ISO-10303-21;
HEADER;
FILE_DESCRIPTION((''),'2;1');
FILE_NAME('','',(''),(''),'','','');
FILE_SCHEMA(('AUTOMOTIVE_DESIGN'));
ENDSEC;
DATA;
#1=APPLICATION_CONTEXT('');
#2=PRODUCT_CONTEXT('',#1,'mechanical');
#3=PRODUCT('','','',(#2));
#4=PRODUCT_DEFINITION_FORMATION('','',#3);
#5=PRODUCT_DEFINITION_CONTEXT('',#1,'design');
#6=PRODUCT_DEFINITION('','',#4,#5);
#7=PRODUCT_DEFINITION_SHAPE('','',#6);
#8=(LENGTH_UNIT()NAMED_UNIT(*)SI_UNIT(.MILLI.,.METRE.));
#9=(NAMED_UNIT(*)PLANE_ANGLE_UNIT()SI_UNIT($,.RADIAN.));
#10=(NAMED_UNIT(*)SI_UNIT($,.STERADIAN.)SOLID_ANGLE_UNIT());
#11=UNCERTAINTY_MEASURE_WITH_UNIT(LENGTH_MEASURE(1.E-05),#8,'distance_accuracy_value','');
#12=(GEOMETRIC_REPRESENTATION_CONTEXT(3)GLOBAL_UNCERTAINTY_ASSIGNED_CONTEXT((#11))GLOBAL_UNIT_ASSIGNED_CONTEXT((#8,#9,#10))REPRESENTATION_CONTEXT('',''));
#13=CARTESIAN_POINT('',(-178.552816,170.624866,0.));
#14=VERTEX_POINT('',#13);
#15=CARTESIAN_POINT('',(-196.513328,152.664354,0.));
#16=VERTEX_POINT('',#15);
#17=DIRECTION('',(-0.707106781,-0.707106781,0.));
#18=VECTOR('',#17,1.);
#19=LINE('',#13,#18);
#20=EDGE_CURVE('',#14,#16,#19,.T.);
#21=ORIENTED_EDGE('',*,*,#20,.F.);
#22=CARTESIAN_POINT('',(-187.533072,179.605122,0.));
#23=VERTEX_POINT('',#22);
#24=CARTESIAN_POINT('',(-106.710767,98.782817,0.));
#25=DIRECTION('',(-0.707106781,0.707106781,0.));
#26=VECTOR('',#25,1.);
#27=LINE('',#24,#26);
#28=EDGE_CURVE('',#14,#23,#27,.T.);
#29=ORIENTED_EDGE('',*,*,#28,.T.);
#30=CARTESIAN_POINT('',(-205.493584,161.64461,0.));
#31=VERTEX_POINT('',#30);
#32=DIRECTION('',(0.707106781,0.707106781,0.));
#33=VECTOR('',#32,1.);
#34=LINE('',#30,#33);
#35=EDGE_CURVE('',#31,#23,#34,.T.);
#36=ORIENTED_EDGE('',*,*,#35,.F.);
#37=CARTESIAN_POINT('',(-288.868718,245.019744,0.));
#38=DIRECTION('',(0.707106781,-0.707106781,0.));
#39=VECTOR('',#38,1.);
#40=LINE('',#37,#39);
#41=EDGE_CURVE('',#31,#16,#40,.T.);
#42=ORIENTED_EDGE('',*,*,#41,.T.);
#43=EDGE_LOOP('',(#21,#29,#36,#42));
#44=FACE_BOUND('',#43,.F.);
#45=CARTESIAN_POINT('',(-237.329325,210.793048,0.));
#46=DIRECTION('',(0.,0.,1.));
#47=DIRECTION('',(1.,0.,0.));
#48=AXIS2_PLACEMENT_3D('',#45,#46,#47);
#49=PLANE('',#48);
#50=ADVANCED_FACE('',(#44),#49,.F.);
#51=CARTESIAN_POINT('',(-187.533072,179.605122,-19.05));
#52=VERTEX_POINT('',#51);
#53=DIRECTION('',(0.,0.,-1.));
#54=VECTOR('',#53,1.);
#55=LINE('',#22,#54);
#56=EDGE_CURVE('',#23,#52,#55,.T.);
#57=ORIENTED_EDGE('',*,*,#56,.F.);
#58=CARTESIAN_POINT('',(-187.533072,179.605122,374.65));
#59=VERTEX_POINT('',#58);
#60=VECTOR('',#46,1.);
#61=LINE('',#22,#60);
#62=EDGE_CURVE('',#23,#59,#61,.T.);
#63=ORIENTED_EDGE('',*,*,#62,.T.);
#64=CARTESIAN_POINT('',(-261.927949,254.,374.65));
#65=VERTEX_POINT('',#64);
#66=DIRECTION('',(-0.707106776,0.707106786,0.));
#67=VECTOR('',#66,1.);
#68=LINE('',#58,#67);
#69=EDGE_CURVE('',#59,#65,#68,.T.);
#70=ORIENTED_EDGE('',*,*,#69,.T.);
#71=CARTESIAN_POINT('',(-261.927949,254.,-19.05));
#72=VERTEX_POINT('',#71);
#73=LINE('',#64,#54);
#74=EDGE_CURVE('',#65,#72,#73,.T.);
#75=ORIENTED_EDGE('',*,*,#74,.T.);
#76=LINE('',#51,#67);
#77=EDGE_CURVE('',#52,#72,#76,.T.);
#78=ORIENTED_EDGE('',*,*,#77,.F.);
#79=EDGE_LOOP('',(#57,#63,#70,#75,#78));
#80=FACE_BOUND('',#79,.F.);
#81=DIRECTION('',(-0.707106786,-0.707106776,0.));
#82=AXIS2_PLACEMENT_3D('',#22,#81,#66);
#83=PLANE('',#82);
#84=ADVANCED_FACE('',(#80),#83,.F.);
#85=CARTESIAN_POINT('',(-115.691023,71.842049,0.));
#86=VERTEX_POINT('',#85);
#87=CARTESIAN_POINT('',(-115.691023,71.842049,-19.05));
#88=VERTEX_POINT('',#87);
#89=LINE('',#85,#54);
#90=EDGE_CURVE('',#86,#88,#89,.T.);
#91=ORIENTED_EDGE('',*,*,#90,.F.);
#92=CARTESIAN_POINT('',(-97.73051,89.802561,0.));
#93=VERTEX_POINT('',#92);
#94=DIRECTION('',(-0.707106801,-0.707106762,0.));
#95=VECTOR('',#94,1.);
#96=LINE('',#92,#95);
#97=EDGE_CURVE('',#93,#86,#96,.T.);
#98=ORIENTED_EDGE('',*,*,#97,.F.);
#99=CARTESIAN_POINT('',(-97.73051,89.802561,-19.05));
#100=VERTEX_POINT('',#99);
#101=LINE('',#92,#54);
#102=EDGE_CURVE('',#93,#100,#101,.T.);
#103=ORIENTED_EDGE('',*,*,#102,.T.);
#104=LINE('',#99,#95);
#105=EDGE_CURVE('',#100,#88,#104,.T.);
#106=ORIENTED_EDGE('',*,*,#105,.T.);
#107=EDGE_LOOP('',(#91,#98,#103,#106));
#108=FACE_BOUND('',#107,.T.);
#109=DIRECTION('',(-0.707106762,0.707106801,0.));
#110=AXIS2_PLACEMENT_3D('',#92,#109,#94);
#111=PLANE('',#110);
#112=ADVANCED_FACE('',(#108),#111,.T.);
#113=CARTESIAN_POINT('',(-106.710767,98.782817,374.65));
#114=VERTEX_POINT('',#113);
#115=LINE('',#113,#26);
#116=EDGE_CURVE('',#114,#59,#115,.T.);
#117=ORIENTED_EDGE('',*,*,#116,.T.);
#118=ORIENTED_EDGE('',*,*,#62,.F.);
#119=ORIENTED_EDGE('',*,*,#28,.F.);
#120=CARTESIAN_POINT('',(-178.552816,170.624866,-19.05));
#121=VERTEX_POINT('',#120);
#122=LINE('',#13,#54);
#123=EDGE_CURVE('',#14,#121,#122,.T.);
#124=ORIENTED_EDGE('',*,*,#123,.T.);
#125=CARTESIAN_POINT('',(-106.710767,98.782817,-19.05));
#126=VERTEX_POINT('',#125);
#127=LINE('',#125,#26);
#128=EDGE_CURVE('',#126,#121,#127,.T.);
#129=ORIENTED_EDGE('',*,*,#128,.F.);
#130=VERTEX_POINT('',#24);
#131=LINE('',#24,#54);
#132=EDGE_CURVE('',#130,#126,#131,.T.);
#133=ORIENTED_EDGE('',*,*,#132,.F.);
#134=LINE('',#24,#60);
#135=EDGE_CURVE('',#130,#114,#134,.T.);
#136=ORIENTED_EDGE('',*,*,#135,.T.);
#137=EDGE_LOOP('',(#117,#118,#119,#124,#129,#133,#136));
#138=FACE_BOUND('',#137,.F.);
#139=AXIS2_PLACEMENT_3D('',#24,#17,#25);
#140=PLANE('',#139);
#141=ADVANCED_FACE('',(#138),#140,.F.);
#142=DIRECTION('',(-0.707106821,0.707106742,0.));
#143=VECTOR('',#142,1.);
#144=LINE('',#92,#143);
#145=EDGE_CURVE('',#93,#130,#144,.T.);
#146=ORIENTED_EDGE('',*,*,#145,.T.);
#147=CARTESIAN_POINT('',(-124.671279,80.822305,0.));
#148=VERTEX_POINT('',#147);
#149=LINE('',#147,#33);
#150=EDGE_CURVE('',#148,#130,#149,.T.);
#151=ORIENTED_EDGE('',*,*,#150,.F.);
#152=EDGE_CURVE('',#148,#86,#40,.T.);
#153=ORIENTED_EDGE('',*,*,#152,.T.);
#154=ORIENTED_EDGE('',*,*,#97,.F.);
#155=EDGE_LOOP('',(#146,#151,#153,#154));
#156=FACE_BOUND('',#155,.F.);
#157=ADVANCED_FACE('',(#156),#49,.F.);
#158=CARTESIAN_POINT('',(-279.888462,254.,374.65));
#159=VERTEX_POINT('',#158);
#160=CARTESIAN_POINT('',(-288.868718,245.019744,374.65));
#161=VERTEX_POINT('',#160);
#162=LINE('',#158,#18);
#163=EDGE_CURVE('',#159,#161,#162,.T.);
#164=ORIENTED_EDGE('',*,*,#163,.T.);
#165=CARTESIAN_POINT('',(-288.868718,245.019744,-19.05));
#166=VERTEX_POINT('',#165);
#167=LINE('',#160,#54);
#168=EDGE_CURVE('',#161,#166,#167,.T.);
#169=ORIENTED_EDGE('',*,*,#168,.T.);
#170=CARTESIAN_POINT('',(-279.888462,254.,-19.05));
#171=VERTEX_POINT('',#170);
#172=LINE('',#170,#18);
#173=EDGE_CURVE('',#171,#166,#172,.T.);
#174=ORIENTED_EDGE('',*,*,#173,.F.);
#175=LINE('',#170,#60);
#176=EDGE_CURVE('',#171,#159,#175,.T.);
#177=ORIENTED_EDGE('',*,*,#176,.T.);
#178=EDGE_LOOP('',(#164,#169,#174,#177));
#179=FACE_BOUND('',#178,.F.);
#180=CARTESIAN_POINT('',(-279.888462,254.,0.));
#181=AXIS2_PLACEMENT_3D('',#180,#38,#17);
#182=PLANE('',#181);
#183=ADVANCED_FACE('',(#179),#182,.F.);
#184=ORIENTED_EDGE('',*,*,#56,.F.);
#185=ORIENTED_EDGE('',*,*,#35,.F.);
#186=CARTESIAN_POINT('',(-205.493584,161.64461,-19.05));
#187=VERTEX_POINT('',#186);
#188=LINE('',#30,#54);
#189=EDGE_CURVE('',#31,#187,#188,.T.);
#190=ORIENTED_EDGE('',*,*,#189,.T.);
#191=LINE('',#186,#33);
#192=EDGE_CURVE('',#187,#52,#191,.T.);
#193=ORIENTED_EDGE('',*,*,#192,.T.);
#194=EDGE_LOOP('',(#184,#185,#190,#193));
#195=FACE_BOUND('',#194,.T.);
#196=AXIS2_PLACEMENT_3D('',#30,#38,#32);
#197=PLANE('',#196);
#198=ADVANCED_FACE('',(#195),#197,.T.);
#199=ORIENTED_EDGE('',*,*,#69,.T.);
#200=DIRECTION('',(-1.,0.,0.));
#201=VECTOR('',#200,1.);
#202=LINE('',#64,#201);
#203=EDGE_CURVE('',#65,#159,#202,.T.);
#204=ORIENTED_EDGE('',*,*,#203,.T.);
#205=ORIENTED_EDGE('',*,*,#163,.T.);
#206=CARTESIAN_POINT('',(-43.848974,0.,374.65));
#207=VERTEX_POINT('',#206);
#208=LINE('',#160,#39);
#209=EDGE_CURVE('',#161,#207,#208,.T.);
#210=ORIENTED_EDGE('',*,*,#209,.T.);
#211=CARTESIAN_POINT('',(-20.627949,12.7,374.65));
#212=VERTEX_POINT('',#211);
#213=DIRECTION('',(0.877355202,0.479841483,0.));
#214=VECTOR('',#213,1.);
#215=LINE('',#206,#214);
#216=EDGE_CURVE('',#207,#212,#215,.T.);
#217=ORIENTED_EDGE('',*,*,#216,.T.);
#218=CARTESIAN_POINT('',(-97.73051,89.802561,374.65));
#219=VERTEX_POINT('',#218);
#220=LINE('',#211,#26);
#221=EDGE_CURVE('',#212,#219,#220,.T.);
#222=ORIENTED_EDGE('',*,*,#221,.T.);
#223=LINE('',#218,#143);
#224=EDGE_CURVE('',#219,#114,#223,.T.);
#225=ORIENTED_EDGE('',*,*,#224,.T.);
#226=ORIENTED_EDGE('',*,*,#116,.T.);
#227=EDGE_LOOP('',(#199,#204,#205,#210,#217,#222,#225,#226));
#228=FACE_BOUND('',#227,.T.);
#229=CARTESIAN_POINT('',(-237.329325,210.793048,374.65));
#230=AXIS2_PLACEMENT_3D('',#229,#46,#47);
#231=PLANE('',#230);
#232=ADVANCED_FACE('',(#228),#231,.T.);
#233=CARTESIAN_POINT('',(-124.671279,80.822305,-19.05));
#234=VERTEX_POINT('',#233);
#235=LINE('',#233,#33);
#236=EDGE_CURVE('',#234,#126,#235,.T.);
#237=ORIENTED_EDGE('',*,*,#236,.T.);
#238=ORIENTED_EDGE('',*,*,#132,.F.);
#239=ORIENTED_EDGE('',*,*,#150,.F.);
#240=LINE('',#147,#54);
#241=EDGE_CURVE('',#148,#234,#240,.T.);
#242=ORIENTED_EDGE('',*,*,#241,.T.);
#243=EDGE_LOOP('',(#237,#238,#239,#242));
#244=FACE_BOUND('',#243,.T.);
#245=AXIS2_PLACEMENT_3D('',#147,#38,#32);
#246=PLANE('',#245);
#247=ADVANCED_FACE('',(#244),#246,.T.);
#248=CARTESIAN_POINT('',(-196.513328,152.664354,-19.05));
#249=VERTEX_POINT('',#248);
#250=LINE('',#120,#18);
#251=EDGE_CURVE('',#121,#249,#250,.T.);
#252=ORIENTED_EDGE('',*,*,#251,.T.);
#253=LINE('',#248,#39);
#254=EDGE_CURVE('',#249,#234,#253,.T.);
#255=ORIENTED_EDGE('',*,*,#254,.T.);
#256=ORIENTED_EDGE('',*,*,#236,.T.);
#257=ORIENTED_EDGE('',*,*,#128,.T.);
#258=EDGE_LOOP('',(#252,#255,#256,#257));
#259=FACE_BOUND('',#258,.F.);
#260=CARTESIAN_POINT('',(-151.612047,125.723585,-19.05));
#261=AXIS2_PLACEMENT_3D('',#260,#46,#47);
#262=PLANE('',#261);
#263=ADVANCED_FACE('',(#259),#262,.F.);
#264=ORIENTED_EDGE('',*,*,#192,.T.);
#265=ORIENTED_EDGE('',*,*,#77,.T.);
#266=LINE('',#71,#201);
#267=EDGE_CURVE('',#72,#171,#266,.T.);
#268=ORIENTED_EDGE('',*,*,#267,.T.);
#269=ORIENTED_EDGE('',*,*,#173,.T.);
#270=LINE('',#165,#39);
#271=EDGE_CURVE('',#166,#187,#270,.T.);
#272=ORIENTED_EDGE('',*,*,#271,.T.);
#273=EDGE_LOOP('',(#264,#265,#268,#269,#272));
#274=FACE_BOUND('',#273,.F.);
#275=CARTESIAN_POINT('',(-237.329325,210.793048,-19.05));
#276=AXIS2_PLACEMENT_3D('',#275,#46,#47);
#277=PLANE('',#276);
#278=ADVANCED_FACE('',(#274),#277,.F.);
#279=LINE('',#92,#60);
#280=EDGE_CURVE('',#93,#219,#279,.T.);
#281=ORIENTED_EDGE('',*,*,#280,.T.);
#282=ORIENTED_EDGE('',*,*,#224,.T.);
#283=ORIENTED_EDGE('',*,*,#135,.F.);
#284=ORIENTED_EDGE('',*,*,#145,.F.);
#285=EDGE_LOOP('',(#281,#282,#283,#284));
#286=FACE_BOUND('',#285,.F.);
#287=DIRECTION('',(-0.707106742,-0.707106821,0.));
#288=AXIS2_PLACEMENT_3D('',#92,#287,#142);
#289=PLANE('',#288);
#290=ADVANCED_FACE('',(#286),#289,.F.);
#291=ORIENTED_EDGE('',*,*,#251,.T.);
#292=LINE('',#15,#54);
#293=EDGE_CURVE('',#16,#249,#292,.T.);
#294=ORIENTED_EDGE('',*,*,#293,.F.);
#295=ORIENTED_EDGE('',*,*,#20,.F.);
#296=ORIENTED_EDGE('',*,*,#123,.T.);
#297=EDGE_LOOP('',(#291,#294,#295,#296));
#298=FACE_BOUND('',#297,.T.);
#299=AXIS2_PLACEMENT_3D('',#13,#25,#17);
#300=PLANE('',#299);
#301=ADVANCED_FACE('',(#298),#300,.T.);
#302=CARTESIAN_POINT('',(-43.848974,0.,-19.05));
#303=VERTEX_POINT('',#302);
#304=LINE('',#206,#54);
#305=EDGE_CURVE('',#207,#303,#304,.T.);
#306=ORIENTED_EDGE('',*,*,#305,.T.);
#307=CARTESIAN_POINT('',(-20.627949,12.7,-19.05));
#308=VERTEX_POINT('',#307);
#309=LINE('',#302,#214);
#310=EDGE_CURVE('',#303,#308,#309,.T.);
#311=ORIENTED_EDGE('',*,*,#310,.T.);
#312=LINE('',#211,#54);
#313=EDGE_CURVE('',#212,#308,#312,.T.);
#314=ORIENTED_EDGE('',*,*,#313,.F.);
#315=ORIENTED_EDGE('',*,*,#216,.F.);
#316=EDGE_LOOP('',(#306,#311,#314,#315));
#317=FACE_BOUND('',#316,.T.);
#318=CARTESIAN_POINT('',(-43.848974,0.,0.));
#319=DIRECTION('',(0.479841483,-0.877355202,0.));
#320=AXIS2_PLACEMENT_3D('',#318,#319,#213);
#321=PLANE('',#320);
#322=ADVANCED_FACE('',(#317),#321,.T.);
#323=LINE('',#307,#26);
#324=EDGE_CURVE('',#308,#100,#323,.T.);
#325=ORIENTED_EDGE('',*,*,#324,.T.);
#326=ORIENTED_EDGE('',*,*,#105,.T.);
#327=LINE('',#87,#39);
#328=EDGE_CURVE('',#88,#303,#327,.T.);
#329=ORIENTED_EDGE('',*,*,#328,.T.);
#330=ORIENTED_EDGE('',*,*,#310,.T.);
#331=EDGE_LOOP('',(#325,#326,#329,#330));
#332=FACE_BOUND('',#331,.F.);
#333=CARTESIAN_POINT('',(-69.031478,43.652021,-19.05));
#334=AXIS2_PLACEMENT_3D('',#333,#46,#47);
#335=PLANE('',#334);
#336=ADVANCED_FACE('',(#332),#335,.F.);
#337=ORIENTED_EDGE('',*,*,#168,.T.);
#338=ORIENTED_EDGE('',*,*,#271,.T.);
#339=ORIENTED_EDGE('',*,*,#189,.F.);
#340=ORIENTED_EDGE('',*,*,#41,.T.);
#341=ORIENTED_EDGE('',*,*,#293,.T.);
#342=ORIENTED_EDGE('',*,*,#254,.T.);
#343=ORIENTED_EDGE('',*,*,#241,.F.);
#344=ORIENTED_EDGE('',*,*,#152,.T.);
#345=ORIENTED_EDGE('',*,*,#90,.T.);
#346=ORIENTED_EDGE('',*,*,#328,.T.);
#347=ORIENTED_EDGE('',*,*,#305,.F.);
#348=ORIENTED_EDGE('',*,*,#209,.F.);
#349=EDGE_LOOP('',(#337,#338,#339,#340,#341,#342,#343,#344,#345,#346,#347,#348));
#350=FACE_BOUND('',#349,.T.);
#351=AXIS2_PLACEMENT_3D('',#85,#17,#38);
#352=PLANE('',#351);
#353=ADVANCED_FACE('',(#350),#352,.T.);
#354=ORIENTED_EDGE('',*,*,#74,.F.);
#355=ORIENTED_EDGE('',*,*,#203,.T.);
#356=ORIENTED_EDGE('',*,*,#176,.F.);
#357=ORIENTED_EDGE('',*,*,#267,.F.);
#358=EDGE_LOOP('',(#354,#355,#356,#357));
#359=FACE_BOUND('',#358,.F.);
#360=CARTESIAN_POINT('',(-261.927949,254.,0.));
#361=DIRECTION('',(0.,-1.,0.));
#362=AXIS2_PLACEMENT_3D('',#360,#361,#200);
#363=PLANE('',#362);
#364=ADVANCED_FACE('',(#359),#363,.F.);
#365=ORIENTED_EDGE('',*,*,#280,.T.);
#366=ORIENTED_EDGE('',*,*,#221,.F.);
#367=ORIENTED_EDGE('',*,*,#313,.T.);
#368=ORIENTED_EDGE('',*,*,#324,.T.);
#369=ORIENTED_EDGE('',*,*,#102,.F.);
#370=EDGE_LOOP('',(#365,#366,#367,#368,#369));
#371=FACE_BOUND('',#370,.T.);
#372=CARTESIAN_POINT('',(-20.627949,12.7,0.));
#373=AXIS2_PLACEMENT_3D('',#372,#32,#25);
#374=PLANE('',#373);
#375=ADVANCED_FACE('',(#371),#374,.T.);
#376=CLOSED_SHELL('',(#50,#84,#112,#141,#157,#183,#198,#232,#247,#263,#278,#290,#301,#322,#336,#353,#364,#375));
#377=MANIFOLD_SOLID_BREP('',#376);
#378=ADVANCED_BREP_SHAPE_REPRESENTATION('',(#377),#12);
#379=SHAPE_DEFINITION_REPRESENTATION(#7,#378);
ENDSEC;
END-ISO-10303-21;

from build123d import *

# Parameters (mm, degrees)
F1_DEPTH = 374.65
F2_DEPTH = 19.05


with BuildPart() as f1:
    # F0 (on Top) → F1 (new body)
    with BuildSketch(Plane.XY):
        Polygon((-261.927949, 254), (-279.888462, 254), (-288.868718, 245.019744), (-205.493584, 161.64461), (-187.533072, 179.605122), align=None)
        Polygon((-178.552816, 170.624866), (-187.533072, 179.605122), (-205.493584, 161.64461), (-196.513328, 152.664354), align=None)
        Polygon((-106.710767, 98.782817), (-178.552816, 170.624866), (-196.513328, 152.664354), (-124.671279, 80.822305), align=None)
        Polygon((-97.73051, 89.802561), (-106.710767, 98.782817), (-124.671279, 80.822305), (-115.691023, 71.842049), align=None)
        Polygon((-20.627949, 12.7), (-97.73051, 89.802561), (-115.691023, 71.842049), (-43.848974, 0), align=None)
    extrude(amount=F1_DEPTH)

    # F0 (on Top) → F2 (join)
    with BuildSketch(Plane.XY):
        Polygon((-20.627949, 12.7), (-97.73051, 89.802561), (-115.691023, 71.842049), (-43.848974, 0), align=None)
        Polygon((-106.710767, 98.782817), (-178.552816, 170.624866), (-196.513328, 152.664354), (-124.671279, 80.822305), align=None)
        Polygon((-261.927949, 254), (-279.888462, 254), (-288.868718, 245.019744), (-205.493584, 161.64461), (-187.533072, 179.605122), align=None)
    extrude(amount=-F2_DEPTH)


solid = f1.part
